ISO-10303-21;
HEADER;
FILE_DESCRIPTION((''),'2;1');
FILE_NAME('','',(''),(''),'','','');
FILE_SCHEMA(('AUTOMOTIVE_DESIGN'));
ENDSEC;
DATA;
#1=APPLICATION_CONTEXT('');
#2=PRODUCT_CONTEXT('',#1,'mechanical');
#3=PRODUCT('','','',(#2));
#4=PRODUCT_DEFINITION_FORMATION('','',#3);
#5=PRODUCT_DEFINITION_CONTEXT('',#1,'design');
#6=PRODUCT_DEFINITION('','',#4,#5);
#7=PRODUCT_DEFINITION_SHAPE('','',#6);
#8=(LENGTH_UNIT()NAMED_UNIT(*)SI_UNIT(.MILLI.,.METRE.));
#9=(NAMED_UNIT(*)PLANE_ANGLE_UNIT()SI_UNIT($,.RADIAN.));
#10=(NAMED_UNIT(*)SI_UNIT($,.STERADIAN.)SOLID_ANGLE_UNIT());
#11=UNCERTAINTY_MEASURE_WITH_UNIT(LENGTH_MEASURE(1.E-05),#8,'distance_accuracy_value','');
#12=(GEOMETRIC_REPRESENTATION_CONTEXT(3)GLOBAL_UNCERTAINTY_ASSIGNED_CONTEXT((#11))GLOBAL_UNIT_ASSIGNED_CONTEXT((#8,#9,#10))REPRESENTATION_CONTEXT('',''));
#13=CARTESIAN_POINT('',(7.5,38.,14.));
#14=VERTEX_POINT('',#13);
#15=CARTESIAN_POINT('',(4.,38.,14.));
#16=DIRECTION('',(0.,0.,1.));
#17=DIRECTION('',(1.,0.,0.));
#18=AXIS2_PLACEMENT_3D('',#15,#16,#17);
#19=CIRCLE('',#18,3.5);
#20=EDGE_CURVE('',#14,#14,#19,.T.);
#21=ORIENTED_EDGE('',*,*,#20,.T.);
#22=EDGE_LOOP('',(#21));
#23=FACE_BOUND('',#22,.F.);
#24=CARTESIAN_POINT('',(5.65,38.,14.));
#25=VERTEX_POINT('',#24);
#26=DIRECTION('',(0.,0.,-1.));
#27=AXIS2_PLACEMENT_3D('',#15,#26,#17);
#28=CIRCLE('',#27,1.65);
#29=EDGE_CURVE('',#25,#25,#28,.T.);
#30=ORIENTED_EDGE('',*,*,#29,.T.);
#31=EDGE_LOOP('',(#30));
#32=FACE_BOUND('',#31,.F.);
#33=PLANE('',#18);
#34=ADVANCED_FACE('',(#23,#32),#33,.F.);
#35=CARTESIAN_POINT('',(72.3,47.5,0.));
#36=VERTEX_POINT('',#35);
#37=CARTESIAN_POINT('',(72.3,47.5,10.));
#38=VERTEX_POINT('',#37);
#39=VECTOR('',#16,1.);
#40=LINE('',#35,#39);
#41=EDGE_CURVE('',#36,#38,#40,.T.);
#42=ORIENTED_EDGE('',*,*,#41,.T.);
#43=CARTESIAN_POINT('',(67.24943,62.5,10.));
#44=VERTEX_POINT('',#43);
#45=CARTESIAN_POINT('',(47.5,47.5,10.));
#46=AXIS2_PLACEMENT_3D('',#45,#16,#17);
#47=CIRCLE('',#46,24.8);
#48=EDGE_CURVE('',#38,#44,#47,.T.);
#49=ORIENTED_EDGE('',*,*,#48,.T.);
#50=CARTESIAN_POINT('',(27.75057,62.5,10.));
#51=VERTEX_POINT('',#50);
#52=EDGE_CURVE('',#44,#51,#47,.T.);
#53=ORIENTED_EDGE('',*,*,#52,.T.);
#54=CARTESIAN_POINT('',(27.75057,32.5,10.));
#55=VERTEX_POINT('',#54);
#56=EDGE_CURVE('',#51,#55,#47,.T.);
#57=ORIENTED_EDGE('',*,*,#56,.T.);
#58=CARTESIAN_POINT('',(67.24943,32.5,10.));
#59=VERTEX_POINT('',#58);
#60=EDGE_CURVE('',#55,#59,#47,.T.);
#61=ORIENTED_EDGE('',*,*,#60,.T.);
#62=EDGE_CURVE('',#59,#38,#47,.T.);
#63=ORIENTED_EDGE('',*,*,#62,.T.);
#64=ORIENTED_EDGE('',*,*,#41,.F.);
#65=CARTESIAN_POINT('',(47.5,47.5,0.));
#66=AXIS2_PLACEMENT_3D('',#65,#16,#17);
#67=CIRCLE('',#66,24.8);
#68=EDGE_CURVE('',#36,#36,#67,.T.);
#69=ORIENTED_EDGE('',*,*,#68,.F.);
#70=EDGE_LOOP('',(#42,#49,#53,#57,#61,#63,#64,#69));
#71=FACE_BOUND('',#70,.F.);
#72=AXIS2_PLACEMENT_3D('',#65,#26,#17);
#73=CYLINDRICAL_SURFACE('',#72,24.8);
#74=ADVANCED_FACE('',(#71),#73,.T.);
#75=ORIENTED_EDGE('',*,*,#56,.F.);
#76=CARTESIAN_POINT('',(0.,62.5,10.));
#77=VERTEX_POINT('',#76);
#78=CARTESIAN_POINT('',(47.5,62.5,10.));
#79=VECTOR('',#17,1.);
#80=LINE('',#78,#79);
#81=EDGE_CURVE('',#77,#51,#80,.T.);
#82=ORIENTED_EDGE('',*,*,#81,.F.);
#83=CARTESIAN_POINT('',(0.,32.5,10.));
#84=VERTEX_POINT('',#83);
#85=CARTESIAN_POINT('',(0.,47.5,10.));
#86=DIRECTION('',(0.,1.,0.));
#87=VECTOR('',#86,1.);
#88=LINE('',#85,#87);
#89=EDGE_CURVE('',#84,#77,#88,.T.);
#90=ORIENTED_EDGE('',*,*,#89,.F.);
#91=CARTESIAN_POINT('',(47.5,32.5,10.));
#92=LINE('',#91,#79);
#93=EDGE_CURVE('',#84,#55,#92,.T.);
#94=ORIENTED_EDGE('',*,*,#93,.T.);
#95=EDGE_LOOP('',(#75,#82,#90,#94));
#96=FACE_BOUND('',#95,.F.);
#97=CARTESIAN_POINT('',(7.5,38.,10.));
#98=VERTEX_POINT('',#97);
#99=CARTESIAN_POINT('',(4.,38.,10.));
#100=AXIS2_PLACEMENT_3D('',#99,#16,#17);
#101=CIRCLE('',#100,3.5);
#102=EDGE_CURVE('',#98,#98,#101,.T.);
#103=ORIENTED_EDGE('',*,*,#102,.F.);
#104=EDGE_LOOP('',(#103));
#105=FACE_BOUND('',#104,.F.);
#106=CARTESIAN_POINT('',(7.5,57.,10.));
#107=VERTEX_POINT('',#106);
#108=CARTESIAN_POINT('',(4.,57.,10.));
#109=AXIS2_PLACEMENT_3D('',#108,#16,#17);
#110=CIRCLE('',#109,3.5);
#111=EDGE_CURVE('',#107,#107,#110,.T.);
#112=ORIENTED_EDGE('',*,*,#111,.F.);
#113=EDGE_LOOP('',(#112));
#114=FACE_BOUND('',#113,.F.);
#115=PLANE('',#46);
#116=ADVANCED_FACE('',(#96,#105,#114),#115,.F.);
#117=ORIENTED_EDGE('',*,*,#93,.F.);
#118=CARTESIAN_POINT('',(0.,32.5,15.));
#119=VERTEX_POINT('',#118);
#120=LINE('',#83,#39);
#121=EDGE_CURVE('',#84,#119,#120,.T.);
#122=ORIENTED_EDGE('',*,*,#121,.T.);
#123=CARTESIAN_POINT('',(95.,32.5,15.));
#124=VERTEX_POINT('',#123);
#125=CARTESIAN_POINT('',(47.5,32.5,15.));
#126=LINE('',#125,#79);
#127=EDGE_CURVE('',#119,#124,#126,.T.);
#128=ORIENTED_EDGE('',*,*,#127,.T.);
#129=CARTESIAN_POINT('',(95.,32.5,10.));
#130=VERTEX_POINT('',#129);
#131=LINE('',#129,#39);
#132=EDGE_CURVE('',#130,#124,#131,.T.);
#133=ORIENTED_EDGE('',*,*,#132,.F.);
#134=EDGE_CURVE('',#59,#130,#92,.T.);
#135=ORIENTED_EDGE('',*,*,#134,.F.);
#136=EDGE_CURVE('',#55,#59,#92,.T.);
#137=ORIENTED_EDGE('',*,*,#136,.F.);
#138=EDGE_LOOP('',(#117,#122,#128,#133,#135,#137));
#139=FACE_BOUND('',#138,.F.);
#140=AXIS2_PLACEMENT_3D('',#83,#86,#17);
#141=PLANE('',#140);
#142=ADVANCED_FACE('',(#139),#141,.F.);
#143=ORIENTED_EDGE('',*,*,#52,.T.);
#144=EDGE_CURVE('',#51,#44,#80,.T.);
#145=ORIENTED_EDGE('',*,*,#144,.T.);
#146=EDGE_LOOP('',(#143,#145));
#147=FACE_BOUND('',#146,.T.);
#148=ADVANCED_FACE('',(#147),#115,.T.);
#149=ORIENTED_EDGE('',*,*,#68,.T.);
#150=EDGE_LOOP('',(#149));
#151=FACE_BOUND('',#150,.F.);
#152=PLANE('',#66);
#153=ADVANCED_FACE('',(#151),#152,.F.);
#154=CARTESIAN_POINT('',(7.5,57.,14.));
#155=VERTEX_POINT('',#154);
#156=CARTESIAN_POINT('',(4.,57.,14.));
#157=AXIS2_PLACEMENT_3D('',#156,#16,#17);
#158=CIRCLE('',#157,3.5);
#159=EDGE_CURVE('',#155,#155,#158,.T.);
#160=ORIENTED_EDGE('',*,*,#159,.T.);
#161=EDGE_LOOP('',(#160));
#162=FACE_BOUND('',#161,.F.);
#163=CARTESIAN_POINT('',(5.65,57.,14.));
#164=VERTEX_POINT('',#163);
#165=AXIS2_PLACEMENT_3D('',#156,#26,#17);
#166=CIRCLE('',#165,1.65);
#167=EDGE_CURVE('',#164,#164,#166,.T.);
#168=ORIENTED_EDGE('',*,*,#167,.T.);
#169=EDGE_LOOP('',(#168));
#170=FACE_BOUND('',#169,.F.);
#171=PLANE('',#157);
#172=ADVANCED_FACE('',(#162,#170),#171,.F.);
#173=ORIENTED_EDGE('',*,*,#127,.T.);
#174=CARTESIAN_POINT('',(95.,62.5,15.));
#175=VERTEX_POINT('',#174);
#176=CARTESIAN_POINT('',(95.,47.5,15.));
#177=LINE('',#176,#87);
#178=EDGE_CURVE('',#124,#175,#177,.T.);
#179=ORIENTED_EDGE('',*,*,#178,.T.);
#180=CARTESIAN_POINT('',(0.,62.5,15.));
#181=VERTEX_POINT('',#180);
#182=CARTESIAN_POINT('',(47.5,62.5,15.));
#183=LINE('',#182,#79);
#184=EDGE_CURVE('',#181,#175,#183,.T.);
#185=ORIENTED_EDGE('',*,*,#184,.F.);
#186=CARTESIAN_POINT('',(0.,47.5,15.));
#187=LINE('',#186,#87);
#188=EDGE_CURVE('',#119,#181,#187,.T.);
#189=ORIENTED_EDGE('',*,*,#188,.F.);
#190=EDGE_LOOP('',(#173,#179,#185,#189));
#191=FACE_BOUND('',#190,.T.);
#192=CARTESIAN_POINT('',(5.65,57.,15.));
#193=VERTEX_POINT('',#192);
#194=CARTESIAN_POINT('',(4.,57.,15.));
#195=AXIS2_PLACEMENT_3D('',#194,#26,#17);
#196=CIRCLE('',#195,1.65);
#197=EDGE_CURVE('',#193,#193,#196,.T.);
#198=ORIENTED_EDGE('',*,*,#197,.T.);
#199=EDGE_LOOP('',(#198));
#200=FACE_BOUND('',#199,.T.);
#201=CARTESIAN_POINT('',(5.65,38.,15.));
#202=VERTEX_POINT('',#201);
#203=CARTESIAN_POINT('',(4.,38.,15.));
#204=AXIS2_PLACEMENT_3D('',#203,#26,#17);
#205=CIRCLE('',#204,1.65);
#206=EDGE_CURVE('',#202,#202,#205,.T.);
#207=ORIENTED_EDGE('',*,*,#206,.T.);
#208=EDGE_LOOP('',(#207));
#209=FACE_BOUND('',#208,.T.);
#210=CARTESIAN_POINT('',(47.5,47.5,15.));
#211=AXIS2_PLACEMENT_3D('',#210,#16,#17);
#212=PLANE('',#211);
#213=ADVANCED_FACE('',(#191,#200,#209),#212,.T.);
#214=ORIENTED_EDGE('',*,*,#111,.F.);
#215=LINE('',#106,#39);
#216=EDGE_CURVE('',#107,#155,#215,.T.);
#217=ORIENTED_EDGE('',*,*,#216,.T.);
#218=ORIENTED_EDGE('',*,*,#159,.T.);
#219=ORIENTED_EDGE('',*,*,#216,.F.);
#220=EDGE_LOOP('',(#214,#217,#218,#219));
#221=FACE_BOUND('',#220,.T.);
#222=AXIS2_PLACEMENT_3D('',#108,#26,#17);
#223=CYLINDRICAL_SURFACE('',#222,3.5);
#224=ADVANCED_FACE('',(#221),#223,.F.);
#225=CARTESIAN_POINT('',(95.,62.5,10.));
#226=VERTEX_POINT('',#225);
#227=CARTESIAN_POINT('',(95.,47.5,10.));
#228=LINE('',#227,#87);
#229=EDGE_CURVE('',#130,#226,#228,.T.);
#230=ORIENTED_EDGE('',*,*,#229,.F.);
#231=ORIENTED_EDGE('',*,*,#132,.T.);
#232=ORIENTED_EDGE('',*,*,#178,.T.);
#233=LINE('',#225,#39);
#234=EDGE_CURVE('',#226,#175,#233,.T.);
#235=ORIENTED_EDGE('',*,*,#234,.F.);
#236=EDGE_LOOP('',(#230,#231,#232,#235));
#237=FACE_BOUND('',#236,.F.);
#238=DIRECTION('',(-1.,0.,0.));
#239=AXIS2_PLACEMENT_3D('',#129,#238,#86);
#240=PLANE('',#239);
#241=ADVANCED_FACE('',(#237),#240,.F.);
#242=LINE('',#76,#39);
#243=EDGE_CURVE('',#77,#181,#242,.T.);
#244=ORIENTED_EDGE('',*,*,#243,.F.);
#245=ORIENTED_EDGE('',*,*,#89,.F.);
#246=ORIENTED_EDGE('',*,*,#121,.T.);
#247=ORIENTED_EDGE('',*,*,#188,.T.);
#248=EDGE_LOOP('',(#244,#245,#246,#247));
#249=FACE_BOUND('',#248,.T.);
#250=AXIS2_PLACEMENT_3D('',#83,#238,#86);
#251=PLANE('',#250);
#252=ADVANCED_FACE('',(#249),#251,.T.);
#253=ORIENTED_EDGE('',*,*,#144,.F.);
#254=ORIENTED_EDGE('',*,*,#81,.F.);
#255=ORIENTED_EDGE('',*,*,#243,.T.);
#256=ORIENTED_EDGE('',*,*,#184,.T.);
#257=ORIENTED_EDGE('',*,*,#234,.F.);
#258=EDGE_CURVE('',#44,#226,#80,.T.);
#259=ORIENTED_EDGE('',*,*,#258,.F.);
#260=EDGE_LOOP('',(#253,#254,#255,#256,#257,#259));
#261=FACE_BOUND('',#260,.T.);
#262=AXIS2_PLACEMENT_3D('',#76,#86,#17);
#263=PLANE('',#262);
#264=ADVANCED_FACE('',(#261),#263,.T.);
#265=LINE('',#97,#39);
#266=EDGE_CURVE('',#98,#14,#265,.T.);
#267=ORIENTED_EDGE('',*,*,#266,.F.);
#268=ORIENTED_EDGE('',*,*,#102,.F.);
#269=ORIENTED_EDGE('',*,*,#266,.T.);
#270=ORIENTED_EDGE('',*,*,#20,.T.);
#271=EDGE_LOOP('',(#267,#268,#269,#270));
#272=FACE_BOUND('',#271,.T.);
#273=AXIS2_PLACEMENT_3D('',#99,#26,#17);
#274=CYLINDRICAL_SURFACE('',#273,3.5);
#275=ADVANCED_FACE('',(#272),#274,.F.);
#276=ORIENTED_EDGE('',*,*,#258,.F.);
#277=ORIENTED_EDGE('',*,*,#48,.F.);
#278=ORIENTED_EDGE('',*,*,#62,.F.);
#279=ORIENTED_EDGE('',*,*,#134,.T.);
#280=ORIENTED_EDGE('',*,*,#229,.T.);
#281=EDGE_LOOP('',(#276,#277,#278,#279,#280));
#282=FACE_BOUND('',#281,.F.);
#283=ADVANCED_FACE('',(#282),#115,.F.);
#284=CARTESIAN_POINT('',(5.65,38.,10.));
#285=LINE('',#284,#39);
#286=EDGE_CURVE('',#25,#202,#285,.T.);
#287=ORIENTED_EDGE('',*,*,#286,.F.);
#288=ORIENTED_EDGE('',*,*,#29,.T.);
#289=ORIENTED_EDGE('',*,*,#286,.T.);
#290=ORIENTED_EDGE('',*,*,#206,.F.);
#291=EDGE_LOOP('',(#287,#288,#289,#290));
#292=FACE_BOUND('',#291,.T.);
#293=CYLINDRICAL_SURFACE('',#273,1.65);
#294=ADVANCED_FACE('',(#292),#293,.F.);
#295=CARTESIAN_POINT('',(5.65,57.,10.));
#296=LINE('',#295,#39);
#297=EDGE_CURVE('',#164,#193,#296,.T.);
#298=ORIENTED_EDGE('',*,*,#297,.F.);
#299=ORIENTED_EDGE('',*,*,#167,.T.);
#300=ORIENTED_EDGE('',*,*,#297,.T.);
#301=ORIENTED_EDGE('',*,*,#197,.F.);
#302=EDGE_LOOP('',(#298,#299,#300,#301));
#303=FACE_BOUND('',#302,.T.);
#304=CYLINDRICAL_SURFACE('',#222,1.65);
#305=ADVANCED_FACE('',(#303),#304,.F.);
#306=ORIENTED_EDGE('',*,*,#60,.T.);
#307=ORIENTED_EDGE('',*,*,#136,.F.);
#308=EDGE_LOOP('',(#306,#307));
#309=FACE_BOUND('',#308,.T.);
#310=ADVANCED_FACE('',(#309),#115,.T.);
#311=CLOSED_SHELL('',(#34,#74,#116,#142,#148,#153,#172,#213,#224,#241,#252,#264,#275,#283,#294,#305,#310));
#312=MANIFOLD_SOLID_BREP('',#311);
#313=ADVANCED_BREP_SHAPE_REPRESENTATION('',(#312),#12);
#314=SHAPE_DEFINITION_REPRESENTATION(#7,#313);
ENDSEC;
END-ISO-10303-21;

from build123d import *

# Parameters (mm, degrees)
CYLINDER017_R     = 3.5
CYLINDER017_DEPTH = 4
CYLINDER015_R     = 1.65
CYLINDER015_DEPTH = 20
CYLINDER016_R     = 3.5
CYLINDER016_DEPTH = 4
CYLINDER014_R     = 1.65
CYLINDER014_DEPTH = 20
BOX001_W          = 95
BOX001_H          = 30
BOX001_DEPTH      = 5
CYLINDER010_R     = 24.8
CYLINDER010_DEPTH = 10


with BuildPart() as zylinder017:
    # Cylinder017 → Cylinder017 (new body)
    with BuildSketch(Plane.XY):
        Circle(CYLINDER017_R)
    extrude(amount=CYLINDER017_DEPTH)


with BuildPart() as screw02:
    # Cylinder015 → Cylinder015 (new body)
    with BuildSketch(Plane.XY):
        Circle(CYLINDER015_R)
    extrude(amount=CYLINDER015_DEPTH)

    # Fusion003: union Zylinder017
    add(zylinder017.part)


with BuildPart() as screw02_1:
    # Fusion003 placement: moved
    add(screw02.part.moved(Location((4, 57, 10))))


with BuildPart() as zylinder016:
    # Cylinder016 → Cylinder016 (new body)
    with BuildSketch(Plane.XY):
        Circle(CYLINDER016_R)
    extrude(amount=CYLINDER016_DEPTH)


with BuildPart() as compound002:
    # Cylinder014 → Cylinder014 (new body)
    with BuildSketch(Plane.XY):
        Circle(CYLINDER014_R)
    extrude(amount=CYLINDER014_DEPTH)

    # Fusion002: union Zylinder016
    add(zylinder016.part)


with BuildPart() as compound002_1:
    # Fusion002 placement: moved
    add(compound002.part.moved(Location((4, 38, 10))))

    # Compound002: union Screw02
    add(screw02_1.part)


with BuildPart() as w_rfel001:
    # Box001 → Box001 (new body)
    with BuildSketch(Plane(origin=(0, 32.5, 10), x_dir=(1, 0, 0), z_dir=(0, 0, 1))):
        with Locations((47.5, 15)):
            Rectangle(BOX001_W, BOX001_H)
    extrude(amount=BOX001_DEPTH)


with BuildPart() as rotatingtable:
    # Cylinder010 → Cylinder010 (new body)
    with BuildSketch(Plane(origin=(47.5, 47.5, 0), x_dir=(1, 0, 0), z_dir=(0, 0, 1))):
        Circle(CYLINDER010_R)
    extrude(amount=CYLINDER010_DEPTH)

    # Fusion001: union Würfel001
    add(w_rfel001.part)

    # Cut006: cut Compound002
    add(compound002_1.part, mode=Mode.SUBTRACT)


solid = rotatingtable.part
